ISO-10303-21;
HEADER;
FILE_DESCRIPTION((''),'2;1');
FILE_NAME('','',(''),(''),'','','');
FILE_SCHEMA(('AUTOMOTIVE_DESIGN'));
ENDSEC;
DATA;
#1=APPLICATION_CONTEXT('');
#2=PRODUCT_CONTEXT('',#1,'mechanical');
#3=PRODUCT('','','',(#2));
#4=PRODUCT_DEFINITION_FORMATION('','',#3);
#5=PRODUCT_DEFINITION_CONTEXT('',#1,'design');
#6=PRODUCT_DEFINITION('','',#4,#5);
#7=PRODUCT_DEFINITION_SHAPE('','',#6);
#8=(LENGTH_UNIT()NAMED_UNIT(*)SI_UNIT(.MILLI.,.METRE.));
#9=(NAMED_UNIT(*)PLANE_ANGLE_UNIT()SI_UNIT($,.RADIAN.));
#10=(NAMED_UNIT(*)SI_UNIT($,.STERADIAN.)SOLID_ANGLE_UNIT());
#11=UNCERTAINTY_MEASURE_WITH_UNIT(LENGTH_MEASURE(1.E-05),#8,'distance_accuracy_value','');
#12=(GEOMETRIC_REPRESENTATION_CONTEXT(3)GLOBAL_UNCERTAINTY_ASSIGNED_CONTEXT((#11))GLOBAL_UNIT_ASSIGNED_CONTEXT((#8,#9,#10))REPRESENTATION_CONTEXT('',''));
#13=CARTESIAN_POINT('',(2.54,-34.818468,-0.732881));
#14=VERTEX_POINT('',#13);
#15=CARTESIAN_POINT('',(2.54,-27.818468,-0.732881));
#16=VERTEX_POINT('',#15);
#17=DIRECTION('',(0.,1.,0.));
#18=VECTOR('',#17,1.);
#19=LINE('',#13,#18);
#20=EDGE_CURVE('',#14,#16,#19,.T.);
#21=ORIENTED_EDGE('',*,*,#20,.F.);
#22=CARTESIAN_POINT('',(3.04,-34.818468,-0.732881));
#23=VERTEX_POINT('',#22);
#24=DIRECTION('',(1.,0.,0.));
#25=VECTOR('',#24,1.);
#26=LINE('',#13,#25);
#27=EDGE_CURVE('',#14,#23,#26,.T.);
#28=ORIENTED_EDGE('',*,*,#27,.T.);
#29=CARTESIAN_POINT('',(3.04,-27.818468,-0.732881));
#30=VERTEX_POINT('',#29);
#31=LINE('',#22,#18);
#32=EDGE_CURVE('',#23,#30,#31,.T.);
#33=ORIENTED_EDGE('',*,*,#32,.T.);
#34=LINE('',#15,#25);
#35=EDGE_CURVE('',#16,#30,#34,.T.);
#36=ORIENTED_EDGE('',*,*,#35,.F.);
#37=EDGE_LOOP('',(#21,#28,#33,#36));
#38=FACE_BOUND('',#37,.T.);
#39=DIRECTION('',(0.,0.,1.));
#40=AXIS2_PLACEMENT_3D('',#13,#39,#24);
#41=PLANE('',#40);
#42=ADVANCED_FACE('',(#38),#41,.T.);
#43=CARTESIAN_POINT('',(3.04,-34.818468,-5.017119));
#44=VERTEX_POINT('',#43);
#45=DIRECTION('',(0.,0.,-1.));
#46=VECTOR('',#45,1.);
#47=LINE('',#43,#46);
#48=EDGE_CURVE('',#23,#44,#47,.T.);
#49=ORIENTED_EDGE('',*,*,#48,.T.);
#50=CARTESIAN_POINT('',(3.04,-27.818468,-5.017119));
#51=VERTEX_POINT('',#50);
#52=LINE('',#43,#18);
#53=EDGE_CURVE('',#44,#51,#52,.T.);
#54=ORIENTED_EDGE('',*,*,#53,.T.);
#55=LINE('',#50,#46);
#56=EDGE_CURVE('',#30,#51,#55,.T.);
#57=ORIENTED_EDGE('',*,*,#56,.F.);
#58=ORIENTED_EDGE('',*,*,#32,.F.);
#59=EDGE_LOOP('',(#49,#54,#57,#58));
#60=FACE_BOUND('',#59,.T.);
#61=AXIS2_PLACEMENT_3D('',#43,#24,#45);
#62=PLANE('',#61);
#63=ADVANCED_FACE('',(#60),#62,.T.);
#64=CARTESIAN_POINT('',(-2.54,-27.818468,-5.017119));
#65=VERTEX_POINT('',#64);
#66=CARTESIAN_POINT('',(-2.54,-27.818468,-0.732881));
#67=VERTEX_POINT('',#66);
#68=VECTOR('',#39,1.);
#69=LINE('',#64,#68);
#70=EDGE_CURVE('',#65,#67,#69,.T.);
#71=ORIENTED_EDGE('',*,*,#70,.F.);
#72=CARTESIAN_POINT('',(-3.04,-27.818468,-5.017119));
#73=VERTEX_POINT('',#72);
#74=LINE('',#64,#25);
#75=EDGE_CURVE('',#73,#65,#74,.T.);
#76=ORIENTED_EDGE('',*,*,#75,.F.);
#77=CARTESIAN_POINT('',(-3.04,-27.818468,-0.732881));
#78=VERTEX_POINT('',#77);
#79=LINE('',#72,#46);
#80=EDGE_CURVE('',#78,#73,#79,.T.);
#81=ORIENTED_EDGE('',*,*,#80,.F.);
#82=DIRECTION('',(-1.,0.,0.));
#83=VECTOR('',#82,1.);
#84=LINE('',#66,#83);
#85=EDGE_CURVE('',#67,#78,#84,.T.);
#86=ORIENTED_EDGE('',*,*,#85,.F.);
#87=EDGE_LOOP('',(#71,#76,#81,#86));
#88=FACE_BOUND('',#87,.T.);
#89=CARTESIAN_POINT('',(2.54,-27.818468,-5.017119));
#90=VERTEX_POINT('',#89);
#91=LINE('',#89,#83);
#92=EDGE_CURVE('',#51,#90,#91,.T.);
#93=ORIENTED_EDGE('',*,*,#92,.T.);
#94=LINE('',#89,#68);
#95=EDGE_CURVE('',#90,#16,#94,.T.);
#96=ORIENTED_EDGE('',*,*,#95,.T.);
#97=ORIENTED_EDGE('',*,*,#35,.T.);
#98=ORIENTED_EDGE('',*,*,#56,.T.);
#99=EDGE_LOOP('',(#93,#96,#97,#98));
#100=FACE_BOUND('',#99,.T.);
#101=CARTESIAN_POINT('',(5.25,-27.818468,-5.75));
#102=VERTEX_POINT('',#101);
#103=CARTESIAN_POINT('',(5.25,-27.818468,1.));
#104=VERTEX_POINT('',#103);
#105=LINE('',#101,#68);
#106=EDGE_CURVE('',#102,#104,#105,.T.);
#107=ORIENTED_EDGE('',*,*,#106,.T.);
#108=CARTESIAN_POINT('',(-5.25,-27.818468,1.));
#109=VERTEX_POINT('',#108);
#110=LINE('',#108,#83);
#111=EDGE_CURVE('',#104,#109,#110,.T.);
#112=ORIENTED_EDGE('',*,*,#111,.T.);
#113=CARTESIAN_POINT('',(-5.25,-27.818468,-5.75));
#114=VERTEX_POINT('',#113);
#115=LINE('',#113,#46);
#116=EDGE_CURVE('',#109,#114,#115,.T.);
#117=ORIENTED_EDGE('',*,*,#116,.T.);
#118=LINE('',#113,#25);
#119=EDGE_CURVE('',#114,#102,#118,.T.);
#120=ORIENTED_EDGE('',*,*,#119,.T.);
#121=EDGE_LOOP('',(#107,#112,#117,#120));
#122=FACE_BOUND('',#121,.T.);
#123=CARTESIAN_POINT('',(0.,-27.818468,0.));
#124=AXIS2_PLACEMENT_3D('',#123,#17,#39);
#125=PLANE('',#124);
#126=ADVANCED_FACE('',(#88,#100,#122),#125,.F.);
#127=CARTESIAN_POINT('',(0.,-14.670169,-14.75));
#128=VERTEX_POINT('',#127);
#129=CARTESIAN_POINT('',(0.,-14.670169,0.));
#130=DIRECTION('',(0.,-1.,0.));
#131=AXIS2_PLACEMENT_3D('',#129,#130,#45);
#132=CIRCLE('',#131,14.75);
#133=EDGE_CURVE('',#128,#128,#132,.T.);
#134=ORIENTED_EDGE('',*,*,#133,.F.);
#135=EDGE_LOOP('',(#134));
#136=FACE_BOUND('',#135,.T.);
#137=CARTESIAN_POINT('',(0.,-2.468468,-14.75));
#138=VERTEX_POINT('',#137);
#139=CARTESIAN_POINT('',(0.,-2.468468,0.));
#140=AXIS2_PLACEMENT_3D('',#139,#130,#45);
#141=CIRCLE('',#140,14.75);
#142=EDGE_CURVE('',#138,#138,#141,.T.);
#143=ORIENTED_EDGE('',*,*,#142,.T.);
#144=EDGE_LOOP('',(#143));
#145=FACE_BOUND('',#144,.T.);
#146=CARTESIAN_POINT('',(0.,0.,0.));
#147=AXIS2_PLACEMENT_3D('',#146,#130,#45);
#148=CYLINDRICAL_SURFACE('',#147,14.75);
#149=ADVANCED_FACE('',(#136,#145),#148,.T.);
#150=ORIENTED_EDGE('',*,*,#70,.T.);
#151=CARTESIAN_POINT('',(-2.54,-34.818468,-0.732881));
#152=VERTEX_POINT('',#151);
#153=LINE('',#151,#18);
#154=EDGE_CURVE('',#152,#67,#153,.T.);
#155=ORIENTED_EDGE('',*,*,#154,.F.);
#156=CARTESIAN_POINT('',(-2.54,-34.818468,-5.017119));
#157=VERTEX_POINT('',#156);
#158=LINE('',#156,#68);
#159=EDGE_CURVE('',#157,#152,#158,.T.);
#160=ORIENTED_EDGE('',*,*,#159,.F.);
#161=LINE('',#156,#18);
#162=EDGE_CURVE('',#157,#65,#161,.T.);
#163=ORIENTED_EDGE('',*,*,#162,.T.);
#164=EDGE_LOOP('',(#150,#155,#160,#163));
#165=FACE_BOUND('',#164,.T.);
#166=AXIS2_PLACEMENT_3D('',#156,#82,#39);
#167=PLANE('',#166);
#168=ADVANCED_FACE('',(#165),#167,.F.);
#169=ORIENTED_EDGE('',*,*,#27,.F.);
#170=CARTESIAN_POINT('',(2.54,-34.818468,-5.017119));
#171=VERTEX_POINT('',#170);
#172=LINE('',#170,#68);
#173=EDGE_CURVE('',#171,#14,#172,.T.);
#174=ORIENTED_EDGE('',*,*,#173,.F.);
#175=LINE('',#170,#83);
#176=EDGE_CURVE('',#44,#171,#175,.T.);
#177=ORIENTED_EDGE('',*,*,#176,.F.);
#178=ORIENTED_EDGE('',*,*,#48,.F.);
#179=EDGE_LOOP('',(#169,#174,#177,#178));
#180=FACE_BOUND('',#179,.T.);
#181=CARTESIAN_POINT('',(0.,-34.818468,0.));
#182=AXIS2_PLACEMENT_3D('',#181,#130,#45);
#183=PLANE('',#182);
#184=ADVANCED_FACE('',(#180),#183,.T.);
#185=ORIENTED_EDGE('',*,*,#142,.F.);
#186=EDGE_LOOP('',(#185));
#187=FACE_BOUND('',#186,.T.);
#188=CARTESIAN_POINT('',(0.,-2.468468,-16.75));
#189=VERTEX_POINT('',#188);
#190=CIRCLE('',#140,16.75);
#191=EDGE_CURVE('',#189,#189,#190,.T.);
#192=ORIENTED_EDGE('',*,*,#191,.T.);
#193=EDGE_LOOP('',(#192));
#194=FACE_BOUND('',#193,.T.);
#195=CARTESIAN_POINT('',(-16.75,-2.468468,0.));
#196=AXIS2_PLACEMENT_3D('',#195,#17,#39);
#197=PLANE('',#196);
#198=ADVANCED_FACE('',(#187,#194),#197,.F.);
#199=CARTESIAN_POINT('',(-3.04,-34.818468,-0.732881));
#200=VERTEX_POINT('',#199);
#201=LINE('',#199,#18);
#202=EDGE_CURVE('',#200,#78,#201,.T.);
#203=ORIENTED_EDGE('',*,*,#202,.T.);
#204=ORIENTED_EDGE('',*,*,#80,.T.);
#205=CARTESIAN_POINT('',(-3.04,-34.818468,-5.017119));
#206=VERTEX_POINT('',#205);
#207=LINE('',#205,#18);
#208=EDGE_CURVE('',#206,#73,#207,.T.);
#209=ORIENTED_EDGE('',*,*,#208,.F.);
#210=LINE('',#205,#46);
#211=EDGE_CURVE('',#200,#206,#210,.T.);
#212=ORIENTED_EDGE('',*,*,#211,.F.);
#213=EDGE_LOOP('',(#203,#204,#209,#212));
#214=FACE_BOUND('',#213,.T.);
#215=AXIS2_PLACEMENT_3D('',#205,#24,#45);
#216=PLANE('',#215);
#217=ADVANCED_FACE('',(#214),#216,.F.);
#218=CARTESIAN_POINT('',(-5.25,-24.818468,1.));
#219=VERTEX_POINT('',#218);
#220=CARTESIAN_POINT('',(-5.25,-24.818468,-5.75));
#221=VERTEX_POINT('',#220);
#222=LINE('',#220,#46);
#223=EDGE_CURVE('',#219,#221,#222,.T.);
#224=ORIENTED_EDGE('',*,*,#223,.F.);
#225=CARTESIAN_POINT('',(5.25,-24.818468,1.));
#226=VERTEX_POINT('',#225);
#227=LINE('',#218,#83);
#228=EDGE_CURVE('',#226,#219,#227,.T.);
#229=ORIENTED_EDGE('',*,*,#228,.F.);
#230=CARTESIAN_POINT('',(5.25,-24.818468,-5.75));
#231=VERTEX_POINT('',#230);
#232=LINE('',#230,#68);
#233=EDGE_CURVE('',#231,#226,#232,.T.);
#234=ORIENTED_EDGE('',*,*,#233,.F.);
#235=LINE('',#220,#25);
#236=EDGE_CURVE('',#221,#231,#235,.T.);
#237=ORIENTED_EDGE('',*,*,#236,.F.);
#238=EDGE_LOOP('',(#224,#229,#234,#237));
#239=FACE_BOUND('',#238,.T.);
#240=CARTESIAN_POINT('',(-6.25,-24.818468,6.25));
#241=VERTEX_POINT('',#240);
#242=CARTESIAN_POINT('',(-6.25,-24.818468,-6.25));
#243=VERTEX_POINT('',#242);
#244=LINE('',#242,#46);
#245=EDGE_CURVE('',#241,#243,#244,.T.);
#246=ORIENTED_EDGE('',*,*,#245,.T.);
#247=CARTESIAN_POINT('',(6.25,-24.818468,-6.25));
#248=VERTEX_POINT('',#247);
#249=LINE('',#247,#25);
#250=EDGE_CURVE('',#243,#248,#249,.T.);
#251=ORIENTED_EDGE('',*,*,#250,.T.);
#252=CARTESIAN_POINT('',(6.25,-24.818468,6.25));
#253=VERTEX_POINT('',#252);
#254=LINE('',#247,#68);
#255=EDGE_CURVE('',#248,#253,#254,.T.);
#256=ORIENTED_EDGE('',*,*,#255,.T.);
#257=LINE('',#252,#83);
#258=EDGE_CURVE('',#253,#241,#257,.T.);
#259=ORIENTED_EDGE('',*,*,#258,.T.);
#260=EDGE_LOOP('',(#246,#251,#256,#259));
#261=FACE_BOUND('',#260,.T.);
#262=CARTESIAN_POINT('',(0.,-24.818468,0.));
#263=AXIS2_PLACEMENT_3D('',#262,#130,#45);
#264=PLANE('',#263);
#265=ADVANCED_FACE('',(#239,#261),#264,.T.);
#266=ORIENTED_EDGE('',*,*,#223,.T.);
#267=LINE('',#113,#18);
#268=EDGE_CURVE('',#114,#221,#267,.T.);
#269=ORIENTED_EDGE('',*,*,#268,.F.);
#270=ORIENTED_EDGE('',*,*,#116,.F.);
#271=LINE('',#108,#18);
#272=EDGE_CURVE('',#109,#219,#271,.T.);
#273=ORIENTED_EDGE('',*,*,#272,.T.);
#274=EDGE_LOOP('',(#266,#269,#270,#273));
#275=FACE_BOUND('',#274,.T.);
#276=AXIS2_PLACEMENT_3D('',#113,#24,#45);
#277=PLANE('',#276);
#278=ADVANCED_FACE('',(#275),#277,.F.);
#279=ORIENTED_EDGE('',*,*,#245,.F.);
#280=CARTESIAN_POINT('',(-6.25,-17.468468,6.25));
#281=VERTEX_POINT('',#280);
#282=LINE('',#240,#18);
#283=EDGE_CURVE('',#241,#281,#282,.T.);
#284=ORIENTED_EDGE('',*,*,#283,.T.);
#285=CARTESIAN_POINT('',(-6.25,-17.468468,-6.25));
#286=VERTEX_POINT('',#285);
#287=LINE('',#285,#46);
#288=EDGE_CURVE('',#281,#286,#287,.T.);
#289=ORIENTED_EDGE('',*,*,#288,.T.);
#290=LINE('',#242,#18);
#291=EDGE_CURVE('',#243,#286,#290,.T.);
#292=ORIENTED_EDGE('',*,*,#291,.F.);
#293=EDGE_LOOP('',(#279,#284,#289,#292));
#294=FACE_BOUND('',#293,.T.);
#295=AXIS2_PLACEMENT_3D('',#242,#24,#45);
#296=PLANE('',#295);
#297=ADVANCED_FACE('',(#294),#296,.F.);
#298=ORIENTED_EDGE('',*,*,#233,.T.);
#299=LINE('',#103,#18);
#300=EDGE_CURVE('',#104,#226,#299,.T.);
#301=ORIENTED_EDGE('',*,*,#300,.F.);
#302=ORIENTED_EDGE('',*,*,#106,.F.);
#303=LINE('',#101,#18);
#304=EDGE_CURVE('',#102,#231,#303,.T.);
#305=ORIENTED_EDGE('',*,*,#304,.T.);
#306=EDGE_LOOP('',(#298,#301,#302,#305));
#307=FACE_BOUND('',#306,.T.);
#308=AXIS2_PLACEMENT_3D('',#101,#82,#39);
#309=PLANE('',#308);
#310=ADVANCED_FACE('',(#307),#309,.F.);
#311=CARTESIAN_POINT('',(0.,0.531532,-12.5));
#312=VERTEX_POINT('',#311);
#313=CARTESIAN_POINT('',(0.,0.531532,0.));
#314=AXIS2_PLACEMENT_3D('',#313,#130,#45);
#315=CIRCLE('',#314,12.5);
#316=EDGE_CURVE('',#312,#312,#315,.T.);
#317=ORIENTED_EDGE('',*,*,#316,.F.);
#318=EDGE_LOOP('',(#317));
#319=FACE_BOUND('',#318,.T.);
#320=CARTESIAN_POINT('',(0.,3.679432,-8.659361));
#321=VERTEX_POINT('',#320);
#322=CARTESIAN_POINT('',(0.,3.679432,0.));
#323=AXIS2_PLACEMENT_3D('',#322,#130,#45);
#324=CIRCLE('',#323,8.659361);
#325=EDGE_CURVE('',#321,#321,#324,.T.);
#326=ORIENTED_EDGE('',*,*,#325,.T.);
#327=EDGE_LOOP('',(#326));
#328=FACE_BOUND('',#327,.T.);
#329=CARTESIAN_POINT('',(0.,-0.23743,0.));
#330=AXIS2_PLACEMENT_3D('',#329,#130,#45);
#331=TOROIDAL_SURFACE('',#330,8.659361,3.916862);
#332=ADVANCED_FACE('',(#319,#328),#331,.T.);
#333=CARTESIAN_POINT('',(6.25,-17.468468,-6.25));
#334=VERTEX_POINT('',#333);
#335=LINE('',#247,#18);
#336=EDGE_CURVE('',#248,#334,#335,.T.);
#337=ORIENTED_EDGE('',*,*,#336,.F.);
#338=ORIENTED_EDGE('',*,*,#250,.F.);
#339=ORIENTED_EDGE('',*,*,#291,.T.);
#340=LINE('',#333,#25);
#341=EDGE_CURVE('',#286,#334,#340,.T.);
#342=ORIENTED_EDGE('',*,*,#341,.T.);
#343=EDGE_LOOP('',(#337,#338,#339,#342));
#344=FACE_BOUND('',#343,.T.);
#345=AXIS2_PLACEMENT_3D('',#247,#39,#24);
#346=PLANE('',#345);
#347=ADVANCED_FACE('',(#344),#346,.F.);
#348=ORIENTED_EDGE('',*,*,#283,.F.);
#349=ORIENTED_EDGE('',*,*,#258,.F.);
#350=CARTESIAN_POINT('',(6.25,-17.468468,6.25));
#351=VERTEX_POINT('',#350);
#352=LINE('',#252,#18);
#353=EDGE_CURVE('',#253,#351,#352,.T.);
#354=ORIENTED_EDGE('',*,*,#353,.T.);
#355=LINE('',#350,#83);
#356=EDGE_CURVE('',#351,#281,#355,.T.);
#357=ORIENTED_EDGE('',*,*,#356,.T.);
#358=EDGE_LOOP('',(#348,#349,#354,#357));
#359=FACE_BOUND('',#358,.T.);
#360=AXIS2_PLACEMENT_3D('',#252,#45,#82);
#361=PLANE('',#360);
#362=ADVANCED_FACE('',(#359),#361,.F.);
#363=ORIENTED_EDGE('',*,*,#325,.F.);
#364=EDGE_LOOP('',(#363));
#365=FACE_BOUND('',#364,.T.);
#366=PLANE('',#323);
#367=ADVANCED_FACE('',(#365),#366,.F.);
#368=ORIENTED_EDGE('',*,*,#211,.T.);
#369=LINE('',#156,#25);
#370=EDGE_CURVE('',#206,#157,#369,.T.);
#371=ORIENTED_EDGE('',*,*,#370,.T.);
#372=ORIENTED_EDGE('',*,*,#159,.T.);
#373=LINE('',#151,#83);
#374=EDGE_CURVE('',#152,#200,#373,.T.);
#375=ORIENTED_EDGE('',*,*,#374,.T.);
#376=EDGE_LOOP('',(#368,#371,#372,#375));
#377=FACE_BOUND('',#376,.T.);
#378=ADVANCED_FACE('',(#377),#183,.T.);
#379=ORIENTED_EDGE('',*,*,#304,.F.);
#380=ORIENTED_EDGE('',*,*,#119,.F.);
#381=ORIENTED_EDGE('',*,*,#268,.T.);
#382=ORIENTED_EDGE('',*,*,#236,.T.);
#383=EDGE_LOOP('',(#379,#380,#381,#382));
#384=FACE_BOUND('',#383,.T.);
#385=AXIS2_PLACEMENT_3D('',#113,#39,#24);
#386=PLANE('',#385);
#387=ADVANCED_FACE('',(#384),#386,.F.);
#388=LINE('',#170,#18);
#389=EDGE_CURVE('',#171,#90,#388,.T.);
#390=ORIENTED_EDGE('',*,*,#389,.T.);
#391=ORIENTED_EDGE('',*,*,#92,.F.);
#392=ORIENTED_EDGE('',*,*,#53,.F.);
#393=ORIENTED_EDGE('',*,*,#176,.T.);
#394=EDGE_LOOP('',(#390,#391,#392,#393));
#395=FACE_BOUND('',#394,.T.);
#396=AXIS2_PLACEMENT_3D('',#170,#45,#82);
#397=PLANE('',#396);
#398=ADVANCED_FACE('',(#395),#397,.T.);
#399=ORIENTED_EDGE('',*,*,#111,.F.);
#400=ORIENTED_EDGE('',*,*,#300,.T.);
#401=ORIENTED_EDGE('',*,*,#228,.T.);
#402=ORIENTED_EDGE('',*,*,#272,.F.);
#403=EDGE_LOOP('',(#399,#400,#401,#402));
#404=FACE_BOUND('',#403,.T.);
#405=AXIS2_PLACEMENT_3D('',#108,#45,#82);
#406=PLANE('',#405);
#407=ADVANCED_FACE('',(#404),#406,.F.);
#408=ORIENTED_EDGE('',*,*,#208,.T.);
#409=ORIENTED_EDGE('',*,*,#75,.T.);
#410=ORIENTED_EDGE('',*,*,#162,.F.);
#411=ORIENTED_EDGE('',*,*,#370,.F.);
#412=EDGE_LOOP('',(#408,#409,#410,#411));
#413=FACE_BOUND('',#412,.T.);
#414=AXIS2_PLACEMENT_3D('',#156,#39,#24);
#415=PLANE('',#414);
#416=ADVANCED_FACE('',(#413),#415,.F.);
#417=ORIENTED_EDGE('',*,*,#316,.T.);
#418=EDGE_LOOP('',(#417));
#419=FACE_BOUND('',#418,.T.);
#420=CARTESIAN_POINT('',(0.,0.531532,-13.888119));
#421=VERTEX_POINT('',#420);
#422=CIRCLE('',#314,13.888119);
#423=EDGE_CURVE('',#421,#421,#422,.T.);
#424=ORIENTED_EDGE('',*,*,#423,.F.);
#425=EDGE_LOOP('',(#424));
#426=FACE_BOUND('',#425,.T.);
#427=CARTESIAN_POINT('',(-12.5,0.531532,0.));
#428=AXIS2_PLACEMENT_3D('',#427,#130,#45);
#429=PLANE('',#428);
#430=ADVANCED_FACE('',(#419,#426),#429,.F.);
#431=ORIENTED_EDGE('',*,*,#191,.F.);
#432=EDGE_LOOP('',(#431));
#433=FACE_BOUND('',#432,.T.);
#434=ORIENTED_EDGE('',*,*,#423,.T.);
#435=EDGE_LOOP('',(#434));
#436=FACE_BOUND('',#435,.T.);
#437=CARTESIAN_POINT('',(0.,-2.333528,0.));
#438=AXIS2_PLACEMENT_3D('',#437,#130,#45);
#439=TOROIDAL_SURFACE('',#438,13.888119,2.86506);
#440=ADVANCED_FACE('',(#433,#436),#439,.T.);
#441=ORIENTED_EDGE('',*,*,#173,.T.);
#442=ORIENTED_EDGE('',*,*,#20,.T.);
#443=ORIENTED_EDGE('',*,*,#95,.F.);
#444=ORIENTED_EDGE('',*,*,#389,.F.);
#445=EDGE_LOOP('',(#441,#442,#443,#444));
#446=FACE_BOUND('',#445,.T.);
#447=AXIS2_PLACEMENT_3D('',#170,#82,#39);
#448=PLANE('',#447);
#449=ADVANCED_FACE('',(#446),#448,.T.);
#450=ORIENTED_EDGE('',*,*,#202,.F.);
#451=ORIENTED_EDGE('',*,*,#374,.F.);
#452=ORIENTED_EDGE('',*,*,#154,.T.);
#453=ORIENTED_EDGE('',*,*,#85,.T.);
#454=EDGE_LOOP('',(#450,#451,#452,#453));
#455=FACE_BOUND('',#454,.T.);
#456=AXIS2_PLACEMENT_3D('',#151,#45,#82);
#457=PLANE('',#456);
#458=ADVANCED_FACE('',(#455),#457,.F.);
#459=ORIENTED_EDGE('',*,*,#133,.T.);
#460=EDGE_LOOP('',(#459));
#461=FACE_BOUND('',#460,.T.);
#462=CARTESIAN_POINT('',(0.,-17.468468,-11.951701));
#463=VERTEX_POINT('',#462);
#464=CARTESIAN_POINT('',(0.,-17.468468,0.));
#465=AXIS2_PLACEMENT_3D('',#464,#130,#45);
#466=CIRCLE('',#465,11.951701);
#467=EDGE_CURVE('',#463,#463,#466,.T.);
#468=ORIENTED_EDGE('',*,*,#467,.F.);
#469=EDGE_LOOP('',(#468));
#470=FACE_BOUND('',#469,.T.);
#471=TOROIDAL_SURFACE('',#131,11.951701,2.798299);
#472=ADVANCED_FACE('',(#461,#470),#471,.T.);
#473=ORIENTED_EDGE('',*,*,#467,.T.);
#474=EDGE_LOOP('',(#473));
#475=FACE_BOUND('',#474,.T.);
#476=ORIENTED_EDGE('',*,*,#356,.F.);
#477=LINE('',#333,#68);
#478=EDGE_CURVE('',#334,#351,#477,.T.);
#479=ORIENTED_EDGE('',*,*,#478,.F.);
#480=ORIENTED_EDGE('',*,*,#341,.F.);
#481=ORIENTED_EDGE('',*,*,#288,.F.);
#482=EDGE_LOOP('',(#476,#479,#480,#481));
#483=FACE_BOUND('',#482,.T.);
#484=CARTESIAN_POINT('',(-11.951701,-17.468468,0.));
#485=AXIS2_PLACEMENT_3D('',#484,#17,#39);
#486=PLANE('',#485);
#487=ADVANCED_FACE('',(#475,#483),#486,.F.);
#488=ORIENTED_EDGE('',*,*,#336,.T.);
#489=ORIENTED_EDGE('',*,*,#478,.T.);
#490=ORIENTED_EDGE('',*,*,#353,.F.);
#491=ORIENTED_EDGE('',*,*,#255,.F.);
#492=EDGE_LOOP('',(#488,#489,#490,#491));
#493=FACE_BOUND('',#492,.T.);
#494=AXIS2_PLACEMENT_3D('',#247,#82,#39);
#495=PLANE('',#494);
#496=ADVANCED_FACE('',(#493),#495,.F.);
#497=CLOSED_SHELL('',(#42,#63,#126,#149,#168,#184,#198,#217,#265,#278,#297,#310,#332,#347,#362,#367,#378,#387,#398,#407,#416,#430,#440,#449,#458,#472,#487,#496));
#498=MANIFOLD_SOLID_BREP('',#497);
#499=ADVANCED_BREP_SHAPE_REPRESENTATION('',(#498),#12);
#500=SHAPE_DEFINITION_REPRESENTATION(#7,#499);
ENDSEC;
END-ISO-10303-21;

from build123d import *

# Parameters (mm, degrees)
CROQUIS3_W              = 12.5
CROQUIS3_H              = 12.5
SALIENTE_EXTRUIR1_DEPTH = 7.35
CROQUIS4_W              = 10.5
CROQUIS4_H              = 6.75
SALIENTE_EXTRUIR2_DEPTH = 3
CROQUIS5_W              = 0.5
CROQUIS5_H              = 4.284238858
SALIENTE_EXTRUIR3_DEPTH = 7


with BuildPart() as part:
    # Croquis2 → Revolución1 (revolve)
    with BuildSketch(Plane.XY, mode=Mode.PRIVATE) as revoluci_n1_sk:
        with BuildLine():
            Line((0, 3.679432079), (-8.659361316, 3.679432079))
            ThreePointArc((-8.659361316, 3.679432079), (-11.14229204, 2.791903832), (-12.5, 0.531532079))
            Line((-12.5, 0.531532079), (-13.888119122, 0.531532079))
            ThreePointArc((-13.888119122, 0.531532079), (-15.961182203, -0.355908417), (-16.75, -2.468467921))
            Line((-16.75, -2.468467921), (-14.75, -2.468467921))
            Line((-14.75, -2.468467921), (-14.75, -14.670168674))
            ThreePointArc((-14.75, -14.670168674), (-13.930397127, -16.648865047), (-11.951700754, -17.468467921))
            Line((-11.951700754, -17.468467921), (0, -17.468467921))
            Line((0, -17.468467921), (0, 3.679432079))
        make_face()
    revolve(revoluci_n1_sk.sketch.rotate(Axis((0, 0, 0), (0, 1, 0)), 270), axis=Axis((0, 0, 0), (0, 1, 0)))

    # Croquis3 → Saliente-Extruir1 (add)
    with BuildSketch(Plane.XZ.offset(17.468467921)):
        Rectangle(CROQUIS3_W, CROQUIS3_H)
    extrude(amount=SALIENTE_EXTRUIR1_DEPTH)

    # Croquis4 → Saliente-Extruir2 (add)
    with BuildSketch(Plane(origin=(0, -24.818467921, 0), x_dir=(-1, 0, 0), z_dir=(0, -1, 0))):
        with Locations((0, 2.375)):
            Rectangle(CROQUIS4_W, CROQUIS4_H)
    extrude(amount=SALIENTE_EXTRUIR2_DEPTH)

    # Croquis5 → Saliente-Extruir3 (add)
    with BuildSketch(Plane.XZ.offset(27.818467921)):
        with Locations((-2.79, -2.875)):
            Rectangle(CROQUIS5_W, CROQUIS5_H)
    saliente_extruir3 = extrude(amount=SALIENTE_EXTRUIR3_DEPTH)

    # Simetría1: Saliente-Extruir3 across plane
    add(saliente_extruir3.mirror(Plane(origin=(0, 0, 0), x_dir=(0, 0, 1), z_dir=(1, 0, 0))))


solid = part.part
